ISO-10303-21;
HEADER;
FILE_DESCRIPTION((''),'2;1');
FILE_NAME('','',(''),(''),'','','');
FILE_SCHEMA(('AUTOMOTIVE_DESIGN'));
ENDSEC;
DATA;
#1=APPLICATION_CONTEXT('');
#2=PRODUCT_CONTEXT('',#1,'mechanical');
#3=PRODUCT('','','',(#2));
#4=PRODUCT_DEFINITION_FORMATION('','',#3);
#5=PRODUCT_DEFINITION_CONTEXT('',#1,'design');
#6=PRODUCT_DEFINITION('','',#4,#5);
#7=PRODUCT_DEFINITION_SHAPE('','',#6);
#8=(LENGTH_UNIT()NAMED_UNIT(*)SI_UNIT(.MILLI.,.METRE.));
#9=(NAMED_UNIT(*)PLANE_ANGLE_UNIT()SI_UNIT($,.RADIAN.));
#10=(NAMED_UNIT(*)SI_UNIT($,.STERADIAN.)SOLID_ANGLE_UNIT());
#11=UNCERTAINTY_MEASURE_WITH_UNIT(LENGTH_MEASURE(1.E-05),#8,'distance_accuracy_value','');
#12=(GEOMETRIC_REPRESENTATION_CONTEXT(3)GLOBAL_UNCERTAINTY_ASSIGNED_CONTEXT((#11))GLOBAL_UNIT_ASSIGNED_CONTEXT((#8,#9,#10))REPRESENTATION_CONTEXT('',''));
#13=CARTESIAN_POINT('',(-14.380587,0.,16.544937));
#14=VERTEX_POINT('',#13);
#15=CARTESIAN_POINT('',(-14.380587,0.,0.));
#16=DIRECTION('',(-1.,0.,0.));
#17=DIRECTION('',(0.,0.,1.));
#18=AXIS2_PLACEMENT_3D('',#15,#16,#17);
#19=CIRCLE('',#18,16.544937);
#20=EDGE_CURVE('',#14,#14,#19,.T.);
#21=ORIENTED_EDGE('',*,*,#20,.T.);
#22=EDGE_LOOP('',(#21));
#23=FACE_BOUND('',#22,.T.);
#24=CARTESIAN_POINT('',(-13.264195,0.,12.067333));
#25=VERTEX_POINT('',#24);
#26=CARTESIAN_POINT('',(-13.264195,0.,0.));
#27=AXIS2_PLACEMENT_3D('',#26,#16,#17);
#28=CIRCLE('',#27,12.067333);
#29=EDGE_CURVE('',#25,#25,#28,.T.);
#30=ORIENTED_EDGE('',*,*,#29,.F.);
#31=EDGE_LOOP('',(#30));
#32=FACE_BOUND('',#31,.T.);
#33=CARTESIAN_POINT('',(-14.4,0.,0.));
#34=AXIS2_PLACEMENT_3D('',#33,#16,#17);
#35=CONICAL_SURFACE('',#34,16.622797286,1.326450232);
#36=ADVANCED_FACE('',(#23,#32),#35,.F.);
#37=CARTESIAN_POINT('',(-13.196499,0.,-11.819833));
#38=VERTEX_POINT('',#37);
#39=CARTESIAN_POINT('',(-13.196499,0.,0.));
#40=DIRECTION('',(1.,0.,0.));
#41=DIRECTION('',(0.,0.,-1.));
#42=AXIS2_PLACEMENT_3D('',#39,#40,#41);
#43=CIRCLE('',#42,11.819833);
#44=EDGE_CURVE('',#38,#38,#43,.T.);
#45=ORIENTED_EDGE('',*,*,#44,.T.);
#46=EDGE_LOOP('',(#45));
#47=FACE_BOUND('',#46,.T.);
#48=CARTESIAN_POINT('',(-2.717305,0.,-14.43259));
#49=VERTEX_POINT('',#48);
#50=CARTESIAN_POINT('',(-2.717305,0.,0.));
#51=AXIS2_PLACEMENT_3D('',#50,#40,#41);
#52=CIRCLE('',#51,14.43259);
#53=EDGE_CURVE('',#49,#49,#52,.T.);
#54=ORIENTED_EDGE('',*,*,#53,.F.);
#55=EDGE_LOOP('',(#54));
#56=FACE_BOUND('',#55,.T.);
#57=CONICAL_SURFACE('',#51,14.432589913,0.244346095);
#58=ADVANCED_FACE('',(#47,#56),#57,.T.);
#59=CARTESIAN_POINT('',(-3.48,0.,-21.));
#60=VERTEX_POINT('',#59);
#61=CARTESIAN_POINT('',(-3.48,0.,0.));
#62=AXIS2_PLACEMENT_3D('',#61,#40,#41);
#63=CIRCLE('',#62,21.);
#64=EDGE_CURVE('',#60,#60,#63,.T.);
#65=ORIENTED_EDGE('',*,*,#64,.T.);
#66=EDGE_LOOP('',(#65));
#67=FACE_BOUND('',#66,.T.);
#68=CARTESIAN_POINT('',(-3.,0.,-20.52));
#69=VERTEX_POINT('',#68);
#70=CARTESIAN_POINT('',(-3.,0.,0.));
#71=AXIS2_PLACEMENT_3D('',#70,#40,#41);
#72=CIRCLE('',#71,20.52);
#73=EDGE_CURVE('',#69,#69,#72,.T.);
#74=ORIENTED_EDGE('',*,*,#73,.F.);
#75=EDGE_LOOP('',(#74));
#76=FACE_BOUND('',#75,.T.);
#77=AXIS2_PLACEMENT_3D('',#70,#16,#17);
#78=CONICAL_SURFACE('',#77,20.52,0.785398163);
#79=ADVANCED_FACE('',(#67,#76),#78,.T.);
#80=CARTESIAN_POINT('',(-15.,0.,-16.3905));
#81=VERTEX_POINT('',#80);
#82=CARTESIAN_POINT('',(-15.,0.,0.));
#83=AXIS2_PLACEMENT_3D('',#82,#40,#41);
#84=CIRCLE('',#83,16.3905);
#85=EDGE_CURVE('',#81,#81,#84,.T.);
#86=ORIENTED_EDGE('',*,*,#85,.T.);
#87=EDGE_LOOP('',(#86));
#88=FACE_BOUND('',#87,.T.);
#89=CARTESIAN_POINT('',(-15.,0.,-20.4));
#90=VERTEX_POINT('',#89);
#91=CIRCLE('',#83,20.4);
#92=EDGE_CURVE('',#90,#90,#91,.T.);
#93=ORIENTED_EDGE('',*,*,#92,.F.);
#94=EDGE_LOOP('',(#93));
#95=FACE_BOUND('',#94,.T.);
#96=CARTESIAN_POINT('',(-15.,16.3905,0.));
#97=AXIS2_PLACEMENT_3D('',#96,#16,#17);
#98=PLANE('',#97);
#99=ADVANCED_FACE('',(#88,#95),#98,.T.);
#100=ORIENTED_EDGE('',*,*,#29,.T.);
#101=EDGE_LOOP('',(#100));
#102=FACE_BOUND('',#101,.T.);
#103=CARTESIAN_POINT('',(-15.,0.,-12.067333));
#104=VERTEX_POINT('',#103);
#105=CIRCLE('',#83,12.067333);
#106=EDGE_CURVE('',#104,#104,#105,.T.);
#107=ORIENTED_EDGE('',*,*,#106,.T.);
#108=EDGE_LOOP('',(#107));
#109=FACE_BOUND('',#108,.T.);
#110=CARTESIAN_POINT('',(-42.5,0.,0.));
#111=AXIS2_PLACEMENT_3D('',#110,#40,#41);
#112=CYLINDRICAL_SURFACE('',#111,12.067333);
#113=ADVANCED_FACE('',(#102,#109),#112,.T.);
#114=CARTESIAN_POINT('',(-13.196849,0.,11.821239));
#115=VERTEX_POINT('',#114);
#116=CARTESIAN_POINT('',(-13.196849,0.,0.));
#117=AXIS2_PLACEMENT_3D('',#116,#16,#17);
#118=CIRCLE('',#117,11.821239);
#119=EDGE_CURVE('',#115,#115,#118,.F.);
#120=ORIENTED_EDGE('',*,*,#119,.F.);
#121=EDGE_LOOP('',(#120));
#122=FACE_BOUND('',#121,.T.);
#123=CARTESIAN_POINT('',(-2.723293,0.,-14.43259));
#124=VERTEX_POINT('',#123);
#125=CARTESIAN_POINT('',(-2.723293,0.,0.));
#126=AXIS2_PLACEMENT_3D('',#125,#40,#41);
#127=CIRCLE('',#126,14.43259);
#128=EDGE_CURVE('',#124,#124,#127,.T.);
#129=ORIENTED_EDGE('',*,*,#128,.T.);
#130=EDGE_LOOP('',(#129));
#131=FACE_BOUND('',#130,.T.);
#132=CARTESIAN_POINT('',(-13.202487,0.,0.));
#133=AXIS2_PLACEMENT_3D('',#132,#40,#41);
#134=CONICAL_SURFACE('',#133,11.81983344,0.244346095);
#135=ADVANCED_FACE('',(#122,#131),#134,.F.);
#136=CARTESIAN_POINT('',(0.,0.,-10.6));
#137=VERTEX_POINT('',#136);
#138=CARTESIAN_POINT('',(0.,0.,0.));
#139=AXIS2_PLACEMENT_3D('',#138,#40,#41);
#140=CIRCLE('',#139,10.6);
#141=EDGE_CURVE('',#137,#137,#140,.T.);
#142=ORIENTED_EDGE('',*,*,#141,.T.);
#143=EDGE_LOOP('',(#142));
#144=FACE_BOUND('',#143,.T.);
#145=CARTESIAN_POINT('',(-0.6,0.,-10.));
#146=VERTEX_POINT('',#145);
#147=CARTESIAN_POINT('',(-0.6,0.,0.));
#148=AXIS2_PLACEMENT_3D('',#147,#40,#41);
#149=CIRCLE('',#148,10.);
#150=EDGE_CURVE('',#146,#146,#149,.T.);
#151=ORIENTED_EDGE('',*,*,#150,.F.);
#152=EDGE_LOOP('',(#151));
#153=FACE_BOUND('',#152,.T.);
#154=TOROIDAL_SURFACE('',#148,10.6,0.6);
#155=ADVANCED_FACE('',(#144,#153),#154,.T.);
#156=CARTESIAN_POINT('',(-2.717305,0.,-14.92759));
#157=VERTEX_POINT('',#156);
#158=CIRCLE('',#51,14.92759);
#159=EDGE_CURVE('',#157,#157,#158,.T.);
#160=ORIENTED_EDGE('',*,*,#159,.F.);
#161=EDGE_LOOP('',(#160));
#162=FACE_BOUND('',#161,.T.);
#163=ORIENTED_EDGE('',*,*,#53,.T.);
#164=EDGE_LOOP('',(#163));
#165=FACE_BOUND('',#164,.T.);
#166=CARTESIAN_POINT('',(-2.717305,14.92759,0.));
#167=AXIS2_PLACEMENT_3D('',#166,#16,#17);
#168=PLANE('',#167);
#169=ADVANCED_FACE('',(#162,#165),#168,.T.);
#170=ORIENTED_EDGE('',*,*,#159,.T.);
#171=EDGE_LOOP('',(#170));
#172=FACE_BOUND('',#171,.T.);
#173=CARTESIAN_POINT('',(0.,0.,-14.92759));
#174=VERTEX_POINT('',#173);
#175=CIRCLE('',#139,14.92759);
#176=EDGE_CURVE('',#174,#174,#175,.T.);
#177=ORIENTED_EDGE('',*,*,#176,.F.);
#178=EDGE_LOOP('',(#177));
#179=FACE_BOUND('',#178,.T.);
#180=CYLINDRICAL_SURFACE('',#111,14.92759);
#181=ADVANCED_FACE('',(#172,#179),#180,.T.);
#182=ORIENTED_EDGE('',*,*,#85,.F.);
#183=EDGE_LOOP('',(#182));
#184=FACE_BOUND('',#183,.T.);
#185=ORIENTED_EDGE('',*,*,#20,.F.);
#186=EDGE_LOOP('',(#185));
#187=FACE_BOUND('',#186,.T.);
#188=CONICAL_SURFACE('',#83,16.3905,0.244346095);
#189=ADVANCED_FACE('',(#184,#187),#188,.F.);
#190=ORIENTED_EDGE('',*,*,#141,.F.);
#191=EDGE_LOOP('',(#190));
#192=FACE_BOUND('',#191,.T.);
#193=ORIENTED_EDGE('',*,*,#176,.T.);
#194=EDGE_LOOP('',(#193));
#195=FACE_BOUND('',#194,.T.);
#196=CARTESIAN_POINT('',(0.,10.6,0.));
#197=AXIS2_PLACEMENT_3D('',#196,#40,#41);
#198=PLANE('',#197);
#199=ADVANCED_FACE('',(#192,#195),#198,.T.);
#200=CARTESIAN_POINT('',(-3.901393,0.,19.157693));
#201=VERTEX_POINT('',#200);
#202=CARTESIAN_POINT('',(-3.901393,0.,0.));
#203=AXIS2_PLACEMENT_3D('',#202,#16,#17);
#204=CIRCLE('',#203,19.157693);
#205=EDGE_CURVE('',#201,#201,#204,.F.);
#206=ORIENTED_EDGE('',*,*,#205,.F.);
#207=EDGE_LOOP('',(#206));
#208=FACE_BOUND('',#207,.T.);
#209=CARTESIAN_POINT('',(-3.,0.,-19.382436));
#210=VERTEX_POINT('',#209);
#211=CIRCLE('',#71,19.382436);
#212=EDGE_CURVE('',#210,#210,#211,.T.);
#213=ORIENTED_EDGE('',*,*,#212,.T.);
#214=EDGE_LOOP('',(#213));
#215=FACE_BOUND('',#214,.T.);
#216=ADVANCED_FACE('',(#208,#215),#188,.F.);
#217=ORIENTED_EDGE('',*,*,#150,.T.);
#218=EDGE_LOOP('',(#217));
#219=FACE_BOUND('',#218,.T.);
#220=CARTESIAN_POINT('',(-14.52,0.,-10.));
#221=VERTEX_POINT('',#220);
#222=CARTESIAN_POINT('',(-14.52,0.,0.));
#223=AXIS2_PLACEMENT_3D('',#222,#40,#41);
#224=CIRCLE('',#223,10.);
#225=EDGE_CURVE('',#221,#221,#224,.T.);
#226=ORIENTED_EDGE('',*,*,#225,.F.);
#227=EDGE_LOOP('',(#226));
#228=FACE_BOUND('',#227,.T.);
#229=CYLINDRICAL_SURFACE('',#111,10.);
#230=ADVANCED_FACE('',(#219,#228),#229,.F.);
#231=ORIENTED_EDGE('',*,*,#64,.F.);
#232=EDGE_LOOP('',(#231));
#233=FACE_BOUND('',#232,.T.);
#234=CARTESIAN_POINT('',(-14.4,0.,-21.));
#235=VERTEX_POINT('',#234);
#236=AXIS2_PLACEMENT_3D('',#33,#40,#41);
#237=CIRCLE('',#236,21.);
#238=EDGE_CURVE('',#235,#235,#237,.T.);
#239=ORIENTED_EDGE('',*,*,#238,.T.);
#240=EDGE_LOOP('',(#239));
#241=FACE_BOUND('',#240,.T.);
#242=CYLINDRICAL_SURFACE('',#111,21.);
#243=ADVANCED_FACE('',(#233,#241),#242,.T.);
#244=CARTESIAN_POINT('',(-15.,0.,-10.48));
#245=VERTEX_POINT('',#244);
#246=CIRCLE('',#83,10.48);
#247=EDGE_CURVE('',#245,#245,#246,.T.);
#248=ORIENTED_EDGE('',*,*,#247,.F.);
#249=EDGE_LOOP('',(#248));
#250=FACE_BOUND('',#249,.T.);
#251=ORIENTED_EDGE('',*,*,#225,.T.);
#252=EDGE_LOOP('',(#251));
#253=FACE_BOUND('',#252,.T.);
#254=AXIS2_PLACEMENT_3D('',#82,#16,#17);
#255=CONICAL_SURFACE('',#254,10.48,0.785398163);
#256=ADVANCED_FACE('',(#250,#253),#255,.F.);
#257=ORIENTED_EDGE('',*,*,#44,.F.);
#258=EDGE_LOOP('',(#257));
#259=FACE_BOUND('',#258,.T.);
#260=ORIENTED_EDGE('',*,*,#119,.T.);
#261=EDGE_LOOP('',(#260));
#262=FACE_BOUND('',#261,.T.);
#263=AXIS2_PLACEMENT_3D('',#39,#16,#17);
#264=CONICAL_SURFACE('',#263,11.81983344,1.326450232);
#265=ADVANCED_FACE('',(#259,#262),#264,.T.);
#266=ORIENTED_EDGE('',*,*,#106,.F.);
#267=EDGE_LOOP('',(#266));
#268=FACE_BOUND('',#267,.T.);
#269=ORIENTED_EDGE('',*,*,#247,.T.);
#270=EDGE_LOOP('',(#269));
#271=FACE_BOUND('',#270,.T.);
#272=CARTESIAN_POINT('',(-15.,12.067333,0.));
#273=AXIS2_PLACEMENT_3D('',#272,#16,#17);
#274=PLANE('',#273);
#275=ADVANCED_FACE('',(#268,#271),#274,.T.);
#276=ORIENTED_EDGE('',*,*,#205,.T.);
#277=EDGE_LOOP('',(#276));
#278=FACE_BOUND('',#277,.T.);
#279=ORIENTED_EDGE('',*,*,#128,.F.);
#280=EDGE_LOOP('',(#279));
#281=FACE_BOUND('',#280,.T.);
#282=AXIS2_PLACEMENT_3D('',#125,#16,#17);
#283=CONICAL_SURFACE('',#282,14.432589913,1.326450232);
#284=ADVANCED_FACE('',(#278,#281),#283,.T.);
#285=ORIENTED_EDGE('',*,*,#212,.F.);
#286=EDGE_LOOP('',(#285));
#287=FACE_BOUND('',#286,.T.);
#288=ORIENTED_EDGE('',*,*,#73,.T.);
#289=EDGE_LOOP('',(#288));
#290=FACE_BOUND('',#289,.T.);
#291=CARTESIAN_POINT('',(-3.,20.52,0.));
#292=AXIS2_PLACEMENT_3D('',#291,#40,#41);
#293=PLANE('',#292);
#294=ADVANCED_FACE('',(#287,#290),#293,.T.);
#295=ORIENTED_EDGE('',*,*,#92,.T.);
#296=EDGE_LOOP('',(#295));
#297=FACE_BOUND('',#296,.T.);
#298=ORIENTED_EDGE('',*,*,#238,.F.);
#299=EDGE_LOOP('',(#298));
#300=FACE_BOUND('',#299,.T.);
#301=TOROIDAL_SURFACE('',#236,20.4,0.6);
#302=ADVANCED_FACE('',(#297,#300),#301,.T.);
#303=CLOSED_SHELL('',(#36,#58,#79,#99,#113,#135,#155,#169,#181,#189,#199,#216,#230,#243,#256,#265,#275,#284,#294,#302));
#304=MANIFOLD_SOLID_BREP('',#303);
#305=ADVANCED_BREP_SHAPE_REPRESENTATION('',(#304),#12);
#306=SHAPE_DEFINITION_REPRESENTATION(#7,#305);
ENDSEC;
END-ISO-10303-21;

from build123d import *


with BuildPart() as part:
    # OutRacSke → OuterRace (revolve)
    with BuildSketch(Plane.XY):
        with BuildLine():
            Line((-3, 19.382436034), (-15, 16.3905))
            Line((-15, 16.3905), (-15, 20.4))
            ThreePointArc((-15, 20.4), (-14.824264069, 20.824264069), (-14.4, 21))
            Line((-14.4, 21), (-3.48, 21))
            Line((-3.48, 21), (-3, 20.52))
            Line((-3, 20.52), (-3, 19.382436034))
        make_face()
    revolve(axis=Axis((-42.5, 0, 0), (1, 0, 0)))

    # RolSimSke → RollersSimplified (revolve)
    with BuildSketch(Plane.XY):
        Polygon((-14.4, 16.622797286), (-3.920806156, 19.235553758), (-2.723292773, 14.432589913), (-13.202486617, 11.81983344), align=None)
    revolve(axis=Axis((0, 0, 0), (-1, 0, 0)))

    # InsRacSke → InnerRace (revolve)
    with BuildSketch(Plane.XY):
        with BuildLine():
            Line((-13.258207732, 12.06733344), (-15, 12.06733344))
            Line((-15, 12.06733344), (-15, 10.48))
            Line((-15, 10.48), (-14.52, 10))
            Line((-14.52, 10), (-0.6, 10))
            ThreePointArc((-0.6, 10), (-0.175735931, 10.175735931), (0, 10.6))
            Line((0, 10.6), (0, 14.927589913))
            Line((0, 14.927589913), (-2.717305207, 14.927589913))
            Line((-2.717305207, 14.927589913), (-2.717305207, 14.432589913))
            Line((-2.717305207, 14.432589913), (-13.196499051, 11.81983344))
            Line((-13.196499051, 11.81983344), (-13.258207732, 12.06733344))
        make_face()
    revolve(axis=Axis((-42.5, 0, 0), (1, 0, 0)))


solid = part.part
